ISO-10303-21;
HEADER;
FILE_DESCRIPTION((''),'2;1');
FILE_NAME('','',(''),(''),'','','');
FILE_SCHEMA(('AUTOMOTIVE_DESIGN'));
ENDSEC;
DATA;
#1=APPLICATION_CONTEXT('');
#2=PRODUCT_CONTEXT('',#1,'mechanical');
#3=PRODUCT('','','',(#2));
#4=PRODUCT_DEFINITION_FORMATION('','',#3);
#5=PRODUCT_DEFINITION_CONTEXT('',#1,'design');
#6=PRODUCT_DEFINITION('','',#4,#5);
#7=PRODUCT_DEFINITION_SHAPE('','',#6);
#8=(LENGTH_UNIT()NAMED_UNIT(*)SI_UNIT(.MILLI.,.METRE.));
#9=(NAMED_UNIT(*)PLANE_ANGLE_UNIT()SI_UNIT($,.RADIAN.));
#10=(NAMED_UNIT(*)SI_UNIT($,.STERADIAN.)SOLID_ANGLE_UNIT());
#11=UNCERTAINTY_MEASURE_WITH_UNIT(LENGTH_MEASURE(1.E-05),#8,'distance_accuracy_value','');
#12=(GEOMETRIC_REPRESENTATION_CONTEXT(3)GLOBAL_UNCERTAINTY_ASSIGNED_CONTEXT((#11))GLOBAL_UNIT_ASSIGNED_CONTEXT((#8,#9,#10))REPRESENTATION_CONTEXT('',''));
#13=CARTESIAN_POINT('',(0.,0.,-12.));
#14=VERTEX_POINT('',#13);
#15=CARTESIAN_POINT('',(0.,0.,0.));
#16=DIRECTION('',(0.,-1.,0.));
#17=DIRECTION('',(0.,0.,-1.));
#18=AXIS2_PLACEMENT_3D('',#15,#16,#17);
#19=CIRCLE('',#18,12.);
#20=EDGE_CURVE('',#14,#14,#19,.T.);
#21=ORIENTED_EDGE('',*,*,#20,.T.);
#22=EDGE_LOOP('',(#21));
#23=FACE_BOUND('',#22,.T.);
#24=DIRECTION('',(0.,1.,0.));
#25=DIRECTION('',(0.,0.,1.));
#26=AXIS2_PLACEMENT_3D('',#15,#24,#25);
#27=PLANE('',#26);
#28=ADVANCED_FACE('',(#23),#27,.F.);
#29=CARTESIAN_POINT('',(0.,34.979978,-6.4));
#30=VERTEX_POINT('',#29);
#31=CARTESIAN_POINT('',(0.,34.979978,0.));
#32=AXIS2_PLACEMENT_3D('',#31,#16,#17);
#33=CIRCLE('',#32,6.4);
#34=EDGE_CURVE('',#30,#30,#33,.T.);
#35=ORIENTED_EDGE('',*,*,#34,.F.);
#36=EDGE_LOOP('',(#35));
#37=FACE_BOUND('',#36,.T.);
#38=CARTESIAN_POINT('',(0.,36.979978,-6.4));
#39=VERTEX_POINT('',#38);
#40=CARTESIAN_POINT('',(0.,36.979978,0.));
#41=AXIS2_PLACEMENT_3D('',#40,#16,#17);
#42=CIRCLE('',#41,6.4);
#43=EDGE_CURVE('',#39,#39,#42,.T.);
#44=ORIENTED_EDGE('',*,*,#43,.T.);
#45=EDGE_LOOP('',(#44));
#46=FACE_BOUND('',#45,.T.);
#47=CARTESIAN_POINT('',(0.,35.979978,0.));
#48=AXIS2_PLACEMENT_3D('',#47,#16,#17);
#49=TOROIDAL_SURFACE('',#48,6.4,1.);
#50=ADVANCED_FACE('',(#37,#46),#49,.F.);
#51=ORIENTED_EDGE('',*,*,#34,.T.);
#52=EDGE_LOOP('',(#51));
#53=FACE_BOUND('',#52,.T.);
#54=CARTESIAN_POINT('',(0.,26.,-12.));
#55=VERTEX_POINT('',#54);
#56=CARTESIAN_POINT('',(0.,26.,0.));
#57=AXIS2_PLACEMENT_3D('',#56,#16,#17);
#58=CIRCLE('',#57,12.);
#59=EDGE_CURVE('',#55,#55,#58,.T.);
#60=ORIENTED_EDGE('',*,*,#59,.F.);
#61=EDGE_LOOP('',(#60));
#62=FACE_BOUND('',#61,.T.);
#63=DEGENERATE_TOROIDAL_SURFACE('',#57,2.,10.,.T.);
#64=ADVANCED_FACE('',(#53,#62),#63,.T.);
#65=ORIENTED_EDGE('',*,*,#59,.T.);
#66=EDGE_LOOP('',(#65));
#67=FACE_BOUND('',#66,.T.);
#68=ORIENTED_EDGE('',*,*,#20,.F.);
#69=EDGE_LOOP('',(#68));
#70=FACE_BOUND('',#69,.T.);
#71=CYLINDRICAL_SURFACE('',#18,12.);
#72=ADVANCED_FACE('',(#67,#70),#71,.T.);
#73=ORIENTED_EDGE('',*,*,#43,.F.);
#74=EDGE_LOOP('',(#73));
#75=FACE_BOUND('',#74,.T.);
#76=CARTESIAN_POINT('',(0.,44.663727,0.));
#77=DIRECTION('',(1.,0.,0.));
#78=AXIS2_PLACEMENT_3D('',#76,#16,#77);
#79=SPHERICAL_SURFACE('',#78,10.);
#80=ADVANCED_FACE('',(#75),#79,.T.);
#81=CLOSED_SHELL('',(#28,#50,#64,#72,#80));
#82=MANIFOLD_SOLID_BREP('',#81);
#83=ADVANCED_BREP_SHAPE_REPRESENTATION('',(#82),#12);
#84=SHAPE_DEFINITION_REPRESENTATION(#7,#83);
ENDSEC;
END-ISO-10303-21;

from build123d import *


with BuildPart() as part:
    # Sketch1 → Revolve1 (revolve)
    with BuildSketch(Plane.XY, mode=Mode.PRIVATE) as revolve1_sk:
        with BuildLine():
            Line((0, 0), (-12, 0))
            Line((-12, 0), (-12, 26))
            ThreePointArc((-12, 26), (-10.485281374, 31.291502622), (-6.4, 34.979977728))
            ThreePointArc((-6.4, 34.979977728), (-5.4, 35.979977728), (-6.4, 36.979977728))
            ThreePointArc((-6.4, 36.979977728), (-9.403124237, 48.066851051), (0, 54.663726813))
            Line((0, 54.663726813), (0, 0))
        make_face()
    revolve(revolve1_sk.sketch.rotate(Axis((0, 0, 0), (0, 1, 0)), 270), axis=Axis((0, 0, 0), (0, 1, 0)))


solid = part.part
